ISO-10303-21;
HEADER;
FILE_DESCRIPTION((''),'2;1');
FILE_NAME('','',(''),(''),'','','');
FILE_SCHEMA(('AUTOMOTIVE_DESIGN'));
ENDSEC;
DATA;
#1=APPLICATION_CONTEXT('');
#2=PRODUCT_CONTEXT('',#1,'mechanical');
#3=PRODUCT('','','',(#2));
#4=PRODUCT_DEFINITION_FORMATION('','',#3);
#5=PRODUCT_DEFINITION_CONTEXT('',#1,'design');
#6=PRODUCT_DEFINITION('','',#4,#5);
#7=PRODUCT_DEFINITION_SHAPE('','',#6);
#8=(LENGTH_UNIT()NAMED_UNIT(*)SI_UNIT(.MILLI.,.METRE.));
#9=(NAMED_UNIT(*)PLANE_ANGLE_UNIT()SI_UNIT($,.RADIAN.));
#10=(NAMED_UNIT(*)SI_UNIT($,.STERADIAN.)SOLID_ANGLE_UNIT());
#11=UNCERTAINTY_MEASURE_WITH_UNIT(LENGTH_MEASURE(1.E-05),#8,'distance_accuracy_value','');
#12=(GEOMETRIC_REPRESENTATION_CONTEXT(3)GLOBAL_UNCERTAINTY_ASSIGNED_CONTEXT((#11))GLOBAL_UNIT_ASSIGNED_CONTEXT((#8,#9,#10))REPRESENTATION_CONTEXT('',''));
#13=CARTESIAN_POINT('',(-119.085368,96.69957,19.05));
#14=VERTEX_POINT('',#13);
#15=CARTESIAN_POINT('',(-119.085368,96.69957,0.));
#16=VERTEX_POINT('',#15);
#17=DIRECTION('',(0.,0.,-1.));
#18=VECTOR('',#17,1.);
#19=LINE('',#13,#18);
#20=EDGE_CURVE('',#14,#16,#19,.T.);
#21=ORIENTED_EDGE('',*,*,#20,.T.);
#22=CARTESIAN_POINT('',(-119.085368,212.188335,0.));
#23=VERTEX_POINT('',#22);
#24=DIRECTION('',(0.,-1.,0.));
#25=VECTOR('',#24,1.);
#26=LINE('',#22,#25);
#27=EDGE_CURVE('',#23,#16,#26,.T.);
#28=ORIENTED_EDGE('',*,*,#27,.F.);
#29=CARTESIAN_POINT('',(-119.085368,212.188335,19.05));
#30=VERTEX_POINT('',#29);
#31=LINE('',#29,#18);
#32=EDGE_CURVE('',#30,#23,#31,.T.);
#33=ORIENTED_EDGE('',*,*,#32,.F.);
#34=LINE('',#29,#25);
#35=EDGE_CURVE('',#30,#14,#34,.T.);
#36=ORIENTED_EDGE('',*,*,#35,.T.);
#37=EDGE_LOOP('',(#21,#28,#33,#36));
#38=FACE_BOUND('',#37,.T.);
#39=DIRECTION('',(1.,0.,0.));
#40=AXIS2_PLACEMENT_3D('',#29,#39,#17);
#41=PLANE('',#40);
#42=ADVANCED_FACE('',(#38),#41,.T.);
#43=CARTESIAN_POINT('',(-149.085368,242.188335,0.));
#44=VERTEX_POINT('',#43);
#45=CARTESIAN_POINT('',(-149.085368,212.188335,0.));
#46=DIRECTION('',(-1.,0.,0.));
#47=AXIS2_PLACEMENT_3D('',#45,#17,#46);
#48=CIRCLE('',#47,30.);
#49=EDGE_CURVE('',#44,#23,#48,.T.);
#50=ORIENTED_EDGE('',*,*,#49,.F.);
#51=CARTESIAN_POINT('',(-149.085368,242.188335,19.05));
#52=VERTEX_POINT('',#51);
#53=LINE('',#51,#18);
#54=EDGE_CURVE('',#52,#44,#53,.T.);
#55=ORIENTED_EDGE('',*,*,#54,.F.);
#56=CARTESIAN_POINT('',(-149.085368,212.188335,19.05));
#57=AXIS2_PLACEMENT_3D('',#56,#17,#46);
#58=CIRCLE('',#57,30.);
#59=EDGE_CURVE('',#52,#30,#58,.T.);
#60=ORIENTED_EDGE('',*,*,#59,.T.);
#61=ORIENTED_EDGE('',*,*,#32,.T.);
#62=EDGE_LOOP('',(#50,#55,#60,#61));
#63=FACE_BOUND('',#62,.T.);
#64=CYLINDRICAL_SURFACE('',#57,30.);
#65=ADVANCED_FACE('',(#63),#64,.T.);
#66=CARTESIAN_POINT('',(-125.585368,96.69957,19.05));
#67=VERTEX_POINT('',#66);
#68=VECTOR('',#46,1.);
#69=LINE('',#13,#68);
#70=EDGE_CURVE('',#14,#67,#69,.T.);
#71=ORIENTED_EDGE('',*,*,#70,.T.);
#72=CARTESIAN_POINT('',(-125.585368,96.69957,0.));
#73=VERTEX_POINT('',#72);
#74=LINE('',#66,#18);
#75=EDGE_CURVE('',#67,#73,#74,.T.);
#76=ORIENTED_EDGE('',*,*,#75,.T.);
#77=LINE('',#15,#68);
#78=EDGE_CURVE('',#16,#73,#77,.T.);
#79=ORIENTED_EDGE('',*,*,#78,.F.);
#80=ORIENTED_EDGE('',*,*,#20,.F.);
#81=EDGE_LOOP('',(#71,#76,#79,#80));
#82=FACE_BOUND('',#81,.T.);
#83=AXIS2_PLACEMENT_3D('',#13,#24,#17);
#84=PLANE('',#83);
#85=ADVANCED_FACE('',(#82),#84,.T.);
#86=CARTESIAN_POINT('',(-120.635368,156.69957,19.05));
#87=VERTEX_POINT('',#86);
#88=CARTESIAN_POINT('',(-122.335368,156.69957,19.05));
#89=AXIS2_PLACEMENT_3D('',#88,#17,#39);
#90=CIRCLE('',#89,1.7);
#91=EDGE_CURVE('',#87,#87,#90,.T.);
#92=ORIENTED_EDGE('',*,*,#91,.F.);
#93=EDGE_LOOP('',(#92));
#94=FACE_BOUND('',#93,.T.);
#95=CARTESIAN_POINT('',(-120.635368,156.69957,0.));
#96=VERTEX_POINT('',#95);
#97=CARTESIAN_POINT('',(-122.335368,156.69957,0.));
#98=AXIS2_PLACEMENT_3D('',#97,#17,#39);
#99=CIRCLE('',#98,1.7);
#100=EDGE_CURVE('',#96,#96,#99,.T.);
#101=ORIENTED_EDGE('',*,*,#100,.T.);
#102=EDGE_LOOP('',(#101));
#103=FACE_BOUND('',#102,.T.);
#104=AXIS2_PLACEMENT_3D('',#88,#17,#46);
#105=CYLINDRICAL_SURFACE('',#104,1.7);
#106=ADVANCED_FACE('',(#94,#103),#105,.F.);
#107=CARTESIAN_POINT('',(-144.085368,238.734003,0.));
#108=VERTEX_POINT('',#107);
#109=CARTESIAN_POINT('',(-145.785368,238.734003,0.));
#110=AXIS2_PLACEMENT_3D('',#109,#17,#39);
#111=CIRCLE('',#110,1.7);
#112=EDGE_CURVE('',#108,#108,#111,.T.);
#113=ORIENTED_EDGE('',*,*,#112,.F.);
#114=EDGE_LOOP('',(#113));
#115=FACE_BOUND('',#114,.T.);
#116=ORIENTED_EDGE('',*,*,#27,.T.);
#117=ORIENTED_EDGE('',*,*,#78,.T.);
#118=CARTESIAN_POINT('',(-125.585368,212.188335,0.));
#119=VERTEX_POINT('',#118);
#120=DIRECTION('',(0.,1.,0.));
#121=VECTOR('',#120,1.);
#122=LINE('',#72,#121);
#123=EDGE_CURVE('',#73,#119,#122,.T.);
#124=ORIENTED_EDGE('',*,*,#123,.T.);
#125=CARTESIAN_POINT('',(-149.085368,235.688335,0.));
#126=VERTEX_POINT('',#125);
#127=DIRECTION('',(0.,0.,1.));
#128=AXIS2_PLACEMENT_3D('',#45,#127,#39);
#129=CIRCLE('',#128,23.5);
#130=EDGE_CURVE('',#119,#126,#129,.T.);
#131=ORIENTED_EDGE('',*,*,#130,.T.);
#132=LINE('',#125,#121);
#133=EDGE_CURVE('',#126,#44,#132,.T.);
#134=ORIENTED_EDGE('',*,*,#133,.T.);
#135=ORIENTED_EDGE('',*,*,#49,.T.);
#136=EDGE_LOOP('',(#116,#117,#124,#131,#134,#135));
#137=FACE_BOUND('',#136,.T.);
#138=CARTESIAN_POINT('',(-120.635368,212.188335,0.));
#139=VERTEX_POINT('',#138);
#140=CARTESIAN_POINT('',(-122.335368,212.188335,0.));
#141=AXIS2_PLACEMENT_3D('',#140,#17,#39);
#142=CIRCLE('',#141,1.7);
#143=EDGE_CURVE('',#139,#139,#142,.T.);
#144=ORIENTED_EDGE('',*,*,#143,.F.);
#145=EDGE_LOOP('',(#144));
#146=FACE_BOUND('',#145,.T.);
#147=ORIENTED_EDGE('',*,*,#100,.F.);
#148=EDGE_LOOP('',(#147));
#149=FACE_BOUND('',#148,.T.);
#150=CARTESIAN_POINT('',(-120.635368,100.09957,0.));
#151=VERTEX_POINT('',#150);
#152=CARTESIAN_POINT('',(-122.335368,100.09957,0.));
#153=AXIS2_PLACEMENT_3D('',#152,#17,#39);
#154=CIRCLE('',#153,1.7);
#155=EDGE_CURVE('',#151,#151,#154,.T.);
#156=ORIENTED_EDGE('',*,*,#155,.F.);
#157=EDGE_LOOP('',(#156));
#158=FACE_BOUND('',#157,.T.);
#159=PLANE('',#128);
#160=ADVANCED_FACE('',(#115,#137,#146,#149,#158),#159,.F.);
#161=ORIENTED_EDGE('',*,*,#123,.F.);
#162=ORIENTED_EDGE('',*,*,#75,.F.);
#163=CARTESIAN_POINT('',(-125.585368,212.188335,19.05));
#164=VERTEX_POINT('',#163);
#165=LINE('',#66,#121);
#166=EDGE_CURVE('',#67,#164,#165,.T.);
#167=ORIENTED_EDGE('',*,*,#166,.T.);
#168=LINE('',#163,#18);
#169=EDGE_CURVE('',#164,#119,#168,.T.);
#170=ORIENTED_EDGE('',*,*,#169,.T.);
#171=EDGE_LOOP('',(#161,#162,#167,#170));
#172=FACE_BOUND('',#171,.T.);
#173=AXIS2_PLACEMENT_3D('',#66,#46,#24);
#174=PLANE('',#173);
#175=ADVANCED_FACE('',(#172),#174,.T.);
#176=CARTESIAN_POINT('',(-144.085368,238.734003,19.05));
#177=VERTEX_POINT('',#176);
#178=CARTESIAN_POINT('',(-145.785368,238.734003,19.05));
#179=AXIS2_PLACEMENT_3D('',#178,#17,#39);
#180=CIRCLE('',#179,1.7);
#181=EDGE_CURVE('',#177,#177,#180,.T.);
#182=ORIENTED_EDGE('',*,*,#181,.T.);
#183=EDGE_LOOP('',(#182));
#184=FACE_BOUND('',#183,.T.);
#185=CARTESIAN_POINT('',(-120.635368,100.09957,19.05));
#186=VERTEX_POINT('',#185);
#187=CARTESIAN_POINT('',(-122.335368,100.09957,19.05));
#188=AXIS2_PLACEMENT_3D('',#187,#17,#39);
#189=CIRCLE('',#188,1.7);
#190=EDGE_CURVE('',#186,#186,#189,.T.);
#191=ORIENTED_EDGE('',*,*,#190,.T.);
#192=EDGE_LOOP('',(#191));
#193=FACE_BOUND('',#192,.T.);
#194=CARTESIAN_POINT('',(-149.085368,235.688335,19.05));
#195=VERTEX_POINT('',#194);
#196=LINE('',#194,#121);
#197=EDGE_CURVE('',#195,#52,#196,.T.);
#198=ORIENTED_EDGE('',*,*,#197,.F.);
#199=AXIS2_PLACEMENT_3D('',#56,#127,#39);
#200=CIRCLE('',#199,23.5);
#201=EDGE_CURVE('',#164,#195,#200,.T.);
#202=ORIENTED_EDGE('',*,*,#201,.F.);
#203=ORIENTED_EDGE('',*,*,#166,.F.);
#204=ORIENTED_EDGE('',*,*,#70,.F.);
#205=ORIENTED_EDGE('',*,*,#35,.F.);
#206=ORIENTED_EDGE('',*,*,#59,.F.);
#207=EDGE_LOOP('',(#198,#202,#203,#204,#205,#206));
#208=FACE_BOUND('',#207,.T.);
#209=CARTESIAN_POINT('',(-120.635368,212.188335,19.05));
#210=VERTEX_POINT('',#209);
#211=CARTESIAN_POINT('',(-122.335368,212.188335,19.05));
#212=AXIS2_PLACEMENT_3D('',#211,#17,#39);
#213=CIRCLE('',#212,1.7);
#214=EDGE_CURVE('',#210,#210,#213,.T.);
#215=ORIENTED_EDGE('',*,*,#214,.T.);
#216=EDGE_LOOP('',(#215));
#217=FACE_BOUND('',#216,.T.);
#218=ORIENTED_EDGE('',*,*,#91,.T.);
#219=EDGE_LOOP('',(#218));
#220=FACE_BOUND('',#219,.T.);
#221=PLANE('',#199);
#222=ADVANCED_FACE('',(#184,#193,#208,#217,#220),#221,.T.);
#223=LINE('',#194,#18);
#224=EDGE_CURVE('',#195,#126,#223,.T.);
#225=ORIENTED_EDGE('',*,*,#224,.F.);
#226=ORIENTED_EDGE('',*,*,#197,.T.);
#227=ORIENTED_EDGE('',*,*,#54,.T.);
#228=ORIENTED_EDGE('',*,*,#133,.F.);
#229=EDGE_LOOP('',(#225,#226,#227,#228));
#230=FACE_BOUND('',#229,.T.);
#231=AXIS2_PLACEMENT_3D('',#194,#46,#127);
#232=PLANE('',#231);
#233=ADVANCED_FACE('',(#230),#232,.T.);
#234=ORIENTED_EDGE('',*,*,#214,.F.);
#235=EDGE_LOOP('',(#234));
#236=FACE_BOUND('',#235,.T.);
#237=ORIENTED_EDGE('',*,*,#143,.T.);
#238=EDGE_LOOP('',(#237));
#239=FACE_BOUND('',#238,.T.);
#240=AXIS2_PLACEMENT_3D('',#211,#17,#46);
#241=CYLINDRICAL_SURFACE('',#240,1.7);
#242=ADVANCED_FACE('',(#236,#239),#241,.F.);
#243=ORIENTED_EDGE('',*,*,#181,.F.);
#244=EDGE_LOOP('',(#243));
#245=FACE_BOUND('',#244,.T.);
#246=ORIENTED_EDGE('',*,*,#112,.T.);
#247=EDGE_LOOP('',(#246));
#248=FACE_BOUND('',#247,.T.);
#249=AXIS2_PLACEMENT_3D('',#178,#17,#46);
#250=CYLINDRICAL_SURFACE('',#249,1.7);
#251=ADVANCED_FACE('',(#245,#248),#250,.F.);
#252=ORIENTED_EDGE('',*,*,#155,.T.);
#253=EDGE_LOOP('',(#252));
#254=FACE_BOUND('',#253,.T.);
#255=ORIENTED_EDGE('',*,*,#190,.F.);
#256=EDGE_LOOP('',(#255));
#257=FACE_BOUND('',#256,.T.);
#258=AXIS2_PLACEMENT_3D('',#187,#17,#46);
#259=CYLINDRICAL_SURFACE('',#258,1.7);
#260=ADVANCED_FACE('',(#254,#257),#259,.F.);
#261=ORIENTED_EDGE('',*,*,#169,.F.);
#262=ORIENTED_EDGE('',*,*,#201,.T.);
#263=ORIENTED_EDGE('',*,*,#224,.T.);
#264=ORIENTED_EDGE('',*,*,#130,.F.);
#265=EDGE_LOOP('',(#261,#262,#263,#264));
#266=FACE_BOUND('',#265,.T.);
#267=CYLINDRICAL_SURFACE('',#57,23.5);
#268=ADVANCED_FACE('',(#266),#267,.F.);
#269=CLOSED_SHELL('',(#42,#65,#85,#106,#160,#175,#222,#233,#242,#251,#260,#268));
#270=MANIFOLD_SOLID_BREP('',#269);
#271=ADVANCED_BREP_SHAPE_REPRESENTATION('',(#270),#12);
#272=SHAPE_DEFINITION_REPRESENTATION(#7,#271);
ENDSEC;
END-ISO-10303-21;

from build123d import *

# Parameters (mm, degrees)
SKETCH1_R           = 1.7
BOSS_EXTRUDE1_DEPTH = 19.05


with BuildPart() as part:
    # Sketch1 → Boss-Extrude1 (new body)
    with BuildSketch(Plane(origin=(0, 0, 0), x_dir=(-1, 0, 0), z_dir=(0, 0, -1))):
        with BuildLine():
            Line((149.085368151, 235.688334746), (149.085368151, 242.188334746))
            ThreePointArc((149.085368151, 242.188334746), (127.872164715, 233.401538181), (119.085368151, 212.188334746))
            Line((119.085368151, 212.188334746), (119.085368151, 96.699570281))
            Line((119.085368151, 96.699570281), (125.585368151, 96.699570281))
            Line((125.585368151, 96.699570281), (125.585368151, 212.188334746))
            ThreePointArc((125.585368151, 212.188334746), (132.468358793, 228.805344103), (149.085368151, 235.688334746))
        make_face()
        with Locations((145.785368151, 238.734002942)):
            Circle(SKETCH1_R, mode=Mode.SUBTRACT)
        with Locations((122.335368151, 212.188334746)):
            Circle(SKETCH1_R, mode=Mode.SUBTRACT)
        with Locations((122.335368151, 156.699570281)):
            Circle(SKETCH1_R, mode=Mode.SUBTRACT)
        with Locations((122.335368151, 100.099570281)):
            Circle(SKETCH1_R, mode=Mode.SUBTRACT)
    extrude(amount=-BOSS_EXTRUDE1_DEPTH)


solid = part.part
